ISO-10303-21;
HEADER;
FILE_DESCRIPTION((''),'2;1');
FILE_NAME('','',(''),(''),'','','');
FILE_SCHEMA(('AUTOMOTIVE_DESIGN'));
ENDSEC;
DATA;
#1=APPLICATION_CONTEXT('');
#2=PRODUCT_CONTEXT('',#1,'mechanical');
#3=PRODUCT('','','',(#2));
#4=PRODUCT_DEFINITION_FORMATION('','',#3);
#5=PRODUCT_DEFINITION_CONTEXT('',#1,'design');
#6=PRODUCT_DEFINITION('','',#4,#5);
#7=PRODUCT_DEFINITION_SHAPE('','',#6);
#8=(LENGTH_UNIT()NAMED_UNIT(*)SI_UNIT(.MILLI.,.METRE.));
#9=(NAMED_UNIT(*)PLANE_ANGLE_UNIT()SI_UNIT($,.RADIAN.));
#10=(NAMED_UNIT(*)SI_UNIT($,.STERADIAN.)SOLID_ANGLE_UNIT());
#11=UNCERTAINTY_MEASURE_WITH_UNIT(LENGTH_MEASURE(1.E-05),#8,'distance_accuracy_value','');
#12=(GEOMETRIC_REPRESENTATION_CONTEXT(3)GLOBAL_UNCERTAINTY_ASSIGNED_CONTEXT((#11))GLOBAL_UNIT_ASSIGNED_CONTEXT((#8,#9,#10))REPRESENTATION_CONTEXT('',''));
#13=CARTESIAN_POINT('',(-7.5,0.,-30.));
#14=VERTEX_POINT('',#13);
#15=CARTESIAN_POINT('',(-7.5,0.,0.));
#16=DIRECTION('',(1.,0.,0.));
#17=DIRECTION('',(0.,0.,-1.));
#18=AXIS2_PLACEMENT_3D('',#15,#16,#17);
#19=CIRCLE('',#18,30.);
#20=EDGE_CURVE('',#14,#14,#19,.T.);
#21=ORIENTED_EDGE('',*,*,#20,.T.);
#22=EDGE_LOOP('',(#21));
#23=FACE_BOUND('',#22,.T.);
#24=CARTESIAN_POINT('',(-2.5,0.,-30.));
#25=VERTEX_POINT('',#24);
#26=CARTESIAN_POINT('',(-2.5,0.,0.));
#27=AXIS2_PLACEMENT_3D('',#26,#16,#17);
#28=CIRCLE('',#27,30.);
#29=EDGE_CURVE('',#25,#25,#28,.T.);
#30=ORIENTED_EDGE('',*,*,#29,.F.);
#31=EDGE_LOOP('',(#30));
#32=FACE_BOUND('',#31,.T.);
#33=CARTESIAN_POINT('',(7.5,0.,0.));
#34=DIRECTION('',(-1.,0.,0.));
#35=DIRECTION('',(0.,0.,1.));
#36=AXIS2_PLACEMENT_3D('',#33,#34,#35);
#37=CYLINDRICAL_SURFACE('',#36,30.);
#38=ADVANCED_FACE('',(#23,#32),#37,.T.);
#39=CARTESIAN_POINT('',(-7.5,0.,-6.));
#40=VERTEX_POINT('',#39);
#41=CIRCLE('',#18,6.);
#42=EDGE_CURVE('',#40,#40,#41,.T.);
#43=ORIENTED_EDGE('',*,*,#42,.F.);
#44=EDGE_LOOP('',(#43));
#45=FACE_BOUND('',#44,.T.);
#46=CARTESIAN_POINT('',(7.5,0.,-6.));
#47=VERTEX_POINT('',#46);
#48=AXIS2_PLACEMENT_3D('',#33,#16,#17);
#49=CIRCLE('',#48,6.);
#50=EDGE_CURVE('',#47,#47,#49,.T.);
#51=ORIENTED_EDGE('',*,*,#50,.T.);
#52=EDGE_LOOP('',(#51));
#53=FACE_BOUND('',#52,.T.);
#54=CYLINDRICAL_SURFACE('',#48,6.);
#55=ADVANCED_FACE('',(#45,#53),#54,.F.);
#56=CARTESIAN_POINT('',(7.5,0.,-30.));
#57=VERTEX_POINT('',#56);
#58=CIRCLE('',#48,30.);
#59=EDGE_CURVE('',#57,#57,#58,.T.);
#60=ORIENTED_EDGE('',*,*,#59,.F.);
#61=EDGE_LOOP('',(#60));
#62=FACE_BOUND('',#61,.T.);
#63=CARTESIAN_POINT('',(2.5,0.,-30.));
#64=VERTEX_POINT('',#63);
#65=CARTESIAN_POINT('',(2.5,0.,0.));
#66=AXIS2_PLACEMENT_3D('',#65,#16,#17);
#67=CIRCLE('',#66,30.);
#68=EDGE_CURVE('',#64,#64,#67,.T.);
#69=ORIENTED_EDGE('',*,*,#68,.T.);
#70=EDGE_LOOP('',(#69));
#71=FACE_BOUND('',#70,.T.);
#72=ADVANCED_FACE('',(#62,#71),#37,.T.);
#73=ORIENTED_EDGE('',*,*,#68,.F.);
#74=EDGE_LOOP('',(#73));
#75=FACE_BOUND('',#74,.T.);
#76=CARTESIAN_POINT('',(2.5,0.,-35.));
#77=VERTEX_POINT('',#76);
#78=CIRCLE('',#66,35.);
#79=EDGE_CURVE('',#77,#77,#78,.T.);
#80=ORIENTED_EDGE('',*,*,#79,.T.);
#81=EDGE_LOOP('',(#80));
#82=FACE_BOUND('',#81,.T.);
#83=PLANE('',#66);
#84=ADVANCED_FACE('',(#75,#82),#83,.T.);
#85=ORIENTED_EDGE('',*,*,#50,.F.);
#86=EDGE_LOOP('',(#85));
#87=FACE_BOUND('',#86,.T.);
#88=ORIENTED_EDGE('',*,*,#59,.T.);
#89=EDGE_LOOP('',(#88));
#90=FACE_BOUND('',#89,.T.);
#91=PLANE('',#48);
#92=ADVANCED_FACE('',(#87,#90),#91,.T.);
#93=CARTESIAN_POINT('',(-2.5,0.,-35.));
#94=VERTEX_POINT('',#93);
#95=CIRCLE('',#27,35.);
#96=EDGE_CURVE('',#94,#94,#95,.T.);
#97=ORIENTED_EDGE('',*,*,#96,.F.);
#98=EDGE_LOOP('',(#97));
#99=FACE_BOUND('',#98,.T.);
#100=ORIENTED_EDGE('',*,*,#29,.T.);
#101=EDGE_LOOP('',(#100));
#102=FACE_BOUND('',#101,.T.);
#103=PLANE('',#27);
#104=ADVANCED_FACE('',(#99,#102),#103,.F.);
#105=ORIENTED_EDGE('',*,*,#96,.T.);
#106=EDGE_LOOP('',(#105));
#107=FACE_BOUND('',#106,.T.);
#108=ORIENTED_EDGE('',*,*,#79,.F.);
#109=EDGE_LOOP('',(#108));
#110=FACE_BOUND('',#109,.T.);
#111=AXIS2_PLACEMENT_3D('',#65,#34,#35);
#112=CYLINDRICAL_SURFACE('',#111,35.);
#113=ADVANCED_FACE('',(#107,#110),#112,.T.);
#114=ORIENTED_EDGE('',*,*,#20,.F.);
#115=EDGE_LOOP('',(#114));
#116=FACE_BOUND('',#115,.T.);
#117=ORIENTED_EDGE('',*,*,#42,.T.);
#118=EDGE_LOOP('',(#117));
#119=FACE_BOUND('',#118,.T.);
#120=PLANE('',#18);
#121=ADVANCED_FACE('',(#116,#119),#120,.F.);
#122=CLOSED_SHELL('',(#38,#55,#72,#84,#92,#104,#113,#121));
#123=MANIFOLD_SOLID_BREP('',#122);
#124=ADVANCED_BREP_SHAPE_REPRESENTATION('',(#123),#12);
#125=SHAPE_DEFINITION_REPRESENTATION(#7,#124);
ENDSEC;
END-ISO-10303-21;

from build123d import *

# Parameters (mm, degrees)
SKETCH1_R                          = 30
CORPO_DA_RODA_DEPTH                = 7.5
SKETCH8_R                          = 35
BOSS_EXTRUDE2_DEPTH                = 2.5
FURO_DO_HUB_MESMO_DI_METRO_1_0_1_D = 12


with BuildPart() as part:
    # Sketch1 → Corpo da Roda (new, symmetric)
    with BuildSketch(Plane(origin=(0, 0, 0), x_dir=(0, 0, -1), z_dir=(1, 0, 0))):
        Circle(SKETCH1_R)
    extrude(amount=CORPO_DA_RODA_DEPTH, both=True)

    # Sketch8 → Boss-Extrude2 (add, symmetric)
    with BuildSketch(Plane(origin=(0, 0, 0), x_dir=(0, 0, -1), z_dir=(1, 0, 0))):
        Circle(SKETCH8_R)
    extrude(amount=BOSS_EXTRUDE2_DEPTH, both=True)

    # Furo do Hub (mesmo diâmetro) - Ø1.0 (1) Diameter Hole1 (through all)
    with Locations(Plane(origin=(7.5, 0, 0), x_dir=(0, 0, -1), z_dir=(1, 0, 0))):
        with Locations((0, 0)):
            Hole(FURO_DO_HUB_MESMO_DI_METRO_1_0_1_D / 2)


solid = part.part
